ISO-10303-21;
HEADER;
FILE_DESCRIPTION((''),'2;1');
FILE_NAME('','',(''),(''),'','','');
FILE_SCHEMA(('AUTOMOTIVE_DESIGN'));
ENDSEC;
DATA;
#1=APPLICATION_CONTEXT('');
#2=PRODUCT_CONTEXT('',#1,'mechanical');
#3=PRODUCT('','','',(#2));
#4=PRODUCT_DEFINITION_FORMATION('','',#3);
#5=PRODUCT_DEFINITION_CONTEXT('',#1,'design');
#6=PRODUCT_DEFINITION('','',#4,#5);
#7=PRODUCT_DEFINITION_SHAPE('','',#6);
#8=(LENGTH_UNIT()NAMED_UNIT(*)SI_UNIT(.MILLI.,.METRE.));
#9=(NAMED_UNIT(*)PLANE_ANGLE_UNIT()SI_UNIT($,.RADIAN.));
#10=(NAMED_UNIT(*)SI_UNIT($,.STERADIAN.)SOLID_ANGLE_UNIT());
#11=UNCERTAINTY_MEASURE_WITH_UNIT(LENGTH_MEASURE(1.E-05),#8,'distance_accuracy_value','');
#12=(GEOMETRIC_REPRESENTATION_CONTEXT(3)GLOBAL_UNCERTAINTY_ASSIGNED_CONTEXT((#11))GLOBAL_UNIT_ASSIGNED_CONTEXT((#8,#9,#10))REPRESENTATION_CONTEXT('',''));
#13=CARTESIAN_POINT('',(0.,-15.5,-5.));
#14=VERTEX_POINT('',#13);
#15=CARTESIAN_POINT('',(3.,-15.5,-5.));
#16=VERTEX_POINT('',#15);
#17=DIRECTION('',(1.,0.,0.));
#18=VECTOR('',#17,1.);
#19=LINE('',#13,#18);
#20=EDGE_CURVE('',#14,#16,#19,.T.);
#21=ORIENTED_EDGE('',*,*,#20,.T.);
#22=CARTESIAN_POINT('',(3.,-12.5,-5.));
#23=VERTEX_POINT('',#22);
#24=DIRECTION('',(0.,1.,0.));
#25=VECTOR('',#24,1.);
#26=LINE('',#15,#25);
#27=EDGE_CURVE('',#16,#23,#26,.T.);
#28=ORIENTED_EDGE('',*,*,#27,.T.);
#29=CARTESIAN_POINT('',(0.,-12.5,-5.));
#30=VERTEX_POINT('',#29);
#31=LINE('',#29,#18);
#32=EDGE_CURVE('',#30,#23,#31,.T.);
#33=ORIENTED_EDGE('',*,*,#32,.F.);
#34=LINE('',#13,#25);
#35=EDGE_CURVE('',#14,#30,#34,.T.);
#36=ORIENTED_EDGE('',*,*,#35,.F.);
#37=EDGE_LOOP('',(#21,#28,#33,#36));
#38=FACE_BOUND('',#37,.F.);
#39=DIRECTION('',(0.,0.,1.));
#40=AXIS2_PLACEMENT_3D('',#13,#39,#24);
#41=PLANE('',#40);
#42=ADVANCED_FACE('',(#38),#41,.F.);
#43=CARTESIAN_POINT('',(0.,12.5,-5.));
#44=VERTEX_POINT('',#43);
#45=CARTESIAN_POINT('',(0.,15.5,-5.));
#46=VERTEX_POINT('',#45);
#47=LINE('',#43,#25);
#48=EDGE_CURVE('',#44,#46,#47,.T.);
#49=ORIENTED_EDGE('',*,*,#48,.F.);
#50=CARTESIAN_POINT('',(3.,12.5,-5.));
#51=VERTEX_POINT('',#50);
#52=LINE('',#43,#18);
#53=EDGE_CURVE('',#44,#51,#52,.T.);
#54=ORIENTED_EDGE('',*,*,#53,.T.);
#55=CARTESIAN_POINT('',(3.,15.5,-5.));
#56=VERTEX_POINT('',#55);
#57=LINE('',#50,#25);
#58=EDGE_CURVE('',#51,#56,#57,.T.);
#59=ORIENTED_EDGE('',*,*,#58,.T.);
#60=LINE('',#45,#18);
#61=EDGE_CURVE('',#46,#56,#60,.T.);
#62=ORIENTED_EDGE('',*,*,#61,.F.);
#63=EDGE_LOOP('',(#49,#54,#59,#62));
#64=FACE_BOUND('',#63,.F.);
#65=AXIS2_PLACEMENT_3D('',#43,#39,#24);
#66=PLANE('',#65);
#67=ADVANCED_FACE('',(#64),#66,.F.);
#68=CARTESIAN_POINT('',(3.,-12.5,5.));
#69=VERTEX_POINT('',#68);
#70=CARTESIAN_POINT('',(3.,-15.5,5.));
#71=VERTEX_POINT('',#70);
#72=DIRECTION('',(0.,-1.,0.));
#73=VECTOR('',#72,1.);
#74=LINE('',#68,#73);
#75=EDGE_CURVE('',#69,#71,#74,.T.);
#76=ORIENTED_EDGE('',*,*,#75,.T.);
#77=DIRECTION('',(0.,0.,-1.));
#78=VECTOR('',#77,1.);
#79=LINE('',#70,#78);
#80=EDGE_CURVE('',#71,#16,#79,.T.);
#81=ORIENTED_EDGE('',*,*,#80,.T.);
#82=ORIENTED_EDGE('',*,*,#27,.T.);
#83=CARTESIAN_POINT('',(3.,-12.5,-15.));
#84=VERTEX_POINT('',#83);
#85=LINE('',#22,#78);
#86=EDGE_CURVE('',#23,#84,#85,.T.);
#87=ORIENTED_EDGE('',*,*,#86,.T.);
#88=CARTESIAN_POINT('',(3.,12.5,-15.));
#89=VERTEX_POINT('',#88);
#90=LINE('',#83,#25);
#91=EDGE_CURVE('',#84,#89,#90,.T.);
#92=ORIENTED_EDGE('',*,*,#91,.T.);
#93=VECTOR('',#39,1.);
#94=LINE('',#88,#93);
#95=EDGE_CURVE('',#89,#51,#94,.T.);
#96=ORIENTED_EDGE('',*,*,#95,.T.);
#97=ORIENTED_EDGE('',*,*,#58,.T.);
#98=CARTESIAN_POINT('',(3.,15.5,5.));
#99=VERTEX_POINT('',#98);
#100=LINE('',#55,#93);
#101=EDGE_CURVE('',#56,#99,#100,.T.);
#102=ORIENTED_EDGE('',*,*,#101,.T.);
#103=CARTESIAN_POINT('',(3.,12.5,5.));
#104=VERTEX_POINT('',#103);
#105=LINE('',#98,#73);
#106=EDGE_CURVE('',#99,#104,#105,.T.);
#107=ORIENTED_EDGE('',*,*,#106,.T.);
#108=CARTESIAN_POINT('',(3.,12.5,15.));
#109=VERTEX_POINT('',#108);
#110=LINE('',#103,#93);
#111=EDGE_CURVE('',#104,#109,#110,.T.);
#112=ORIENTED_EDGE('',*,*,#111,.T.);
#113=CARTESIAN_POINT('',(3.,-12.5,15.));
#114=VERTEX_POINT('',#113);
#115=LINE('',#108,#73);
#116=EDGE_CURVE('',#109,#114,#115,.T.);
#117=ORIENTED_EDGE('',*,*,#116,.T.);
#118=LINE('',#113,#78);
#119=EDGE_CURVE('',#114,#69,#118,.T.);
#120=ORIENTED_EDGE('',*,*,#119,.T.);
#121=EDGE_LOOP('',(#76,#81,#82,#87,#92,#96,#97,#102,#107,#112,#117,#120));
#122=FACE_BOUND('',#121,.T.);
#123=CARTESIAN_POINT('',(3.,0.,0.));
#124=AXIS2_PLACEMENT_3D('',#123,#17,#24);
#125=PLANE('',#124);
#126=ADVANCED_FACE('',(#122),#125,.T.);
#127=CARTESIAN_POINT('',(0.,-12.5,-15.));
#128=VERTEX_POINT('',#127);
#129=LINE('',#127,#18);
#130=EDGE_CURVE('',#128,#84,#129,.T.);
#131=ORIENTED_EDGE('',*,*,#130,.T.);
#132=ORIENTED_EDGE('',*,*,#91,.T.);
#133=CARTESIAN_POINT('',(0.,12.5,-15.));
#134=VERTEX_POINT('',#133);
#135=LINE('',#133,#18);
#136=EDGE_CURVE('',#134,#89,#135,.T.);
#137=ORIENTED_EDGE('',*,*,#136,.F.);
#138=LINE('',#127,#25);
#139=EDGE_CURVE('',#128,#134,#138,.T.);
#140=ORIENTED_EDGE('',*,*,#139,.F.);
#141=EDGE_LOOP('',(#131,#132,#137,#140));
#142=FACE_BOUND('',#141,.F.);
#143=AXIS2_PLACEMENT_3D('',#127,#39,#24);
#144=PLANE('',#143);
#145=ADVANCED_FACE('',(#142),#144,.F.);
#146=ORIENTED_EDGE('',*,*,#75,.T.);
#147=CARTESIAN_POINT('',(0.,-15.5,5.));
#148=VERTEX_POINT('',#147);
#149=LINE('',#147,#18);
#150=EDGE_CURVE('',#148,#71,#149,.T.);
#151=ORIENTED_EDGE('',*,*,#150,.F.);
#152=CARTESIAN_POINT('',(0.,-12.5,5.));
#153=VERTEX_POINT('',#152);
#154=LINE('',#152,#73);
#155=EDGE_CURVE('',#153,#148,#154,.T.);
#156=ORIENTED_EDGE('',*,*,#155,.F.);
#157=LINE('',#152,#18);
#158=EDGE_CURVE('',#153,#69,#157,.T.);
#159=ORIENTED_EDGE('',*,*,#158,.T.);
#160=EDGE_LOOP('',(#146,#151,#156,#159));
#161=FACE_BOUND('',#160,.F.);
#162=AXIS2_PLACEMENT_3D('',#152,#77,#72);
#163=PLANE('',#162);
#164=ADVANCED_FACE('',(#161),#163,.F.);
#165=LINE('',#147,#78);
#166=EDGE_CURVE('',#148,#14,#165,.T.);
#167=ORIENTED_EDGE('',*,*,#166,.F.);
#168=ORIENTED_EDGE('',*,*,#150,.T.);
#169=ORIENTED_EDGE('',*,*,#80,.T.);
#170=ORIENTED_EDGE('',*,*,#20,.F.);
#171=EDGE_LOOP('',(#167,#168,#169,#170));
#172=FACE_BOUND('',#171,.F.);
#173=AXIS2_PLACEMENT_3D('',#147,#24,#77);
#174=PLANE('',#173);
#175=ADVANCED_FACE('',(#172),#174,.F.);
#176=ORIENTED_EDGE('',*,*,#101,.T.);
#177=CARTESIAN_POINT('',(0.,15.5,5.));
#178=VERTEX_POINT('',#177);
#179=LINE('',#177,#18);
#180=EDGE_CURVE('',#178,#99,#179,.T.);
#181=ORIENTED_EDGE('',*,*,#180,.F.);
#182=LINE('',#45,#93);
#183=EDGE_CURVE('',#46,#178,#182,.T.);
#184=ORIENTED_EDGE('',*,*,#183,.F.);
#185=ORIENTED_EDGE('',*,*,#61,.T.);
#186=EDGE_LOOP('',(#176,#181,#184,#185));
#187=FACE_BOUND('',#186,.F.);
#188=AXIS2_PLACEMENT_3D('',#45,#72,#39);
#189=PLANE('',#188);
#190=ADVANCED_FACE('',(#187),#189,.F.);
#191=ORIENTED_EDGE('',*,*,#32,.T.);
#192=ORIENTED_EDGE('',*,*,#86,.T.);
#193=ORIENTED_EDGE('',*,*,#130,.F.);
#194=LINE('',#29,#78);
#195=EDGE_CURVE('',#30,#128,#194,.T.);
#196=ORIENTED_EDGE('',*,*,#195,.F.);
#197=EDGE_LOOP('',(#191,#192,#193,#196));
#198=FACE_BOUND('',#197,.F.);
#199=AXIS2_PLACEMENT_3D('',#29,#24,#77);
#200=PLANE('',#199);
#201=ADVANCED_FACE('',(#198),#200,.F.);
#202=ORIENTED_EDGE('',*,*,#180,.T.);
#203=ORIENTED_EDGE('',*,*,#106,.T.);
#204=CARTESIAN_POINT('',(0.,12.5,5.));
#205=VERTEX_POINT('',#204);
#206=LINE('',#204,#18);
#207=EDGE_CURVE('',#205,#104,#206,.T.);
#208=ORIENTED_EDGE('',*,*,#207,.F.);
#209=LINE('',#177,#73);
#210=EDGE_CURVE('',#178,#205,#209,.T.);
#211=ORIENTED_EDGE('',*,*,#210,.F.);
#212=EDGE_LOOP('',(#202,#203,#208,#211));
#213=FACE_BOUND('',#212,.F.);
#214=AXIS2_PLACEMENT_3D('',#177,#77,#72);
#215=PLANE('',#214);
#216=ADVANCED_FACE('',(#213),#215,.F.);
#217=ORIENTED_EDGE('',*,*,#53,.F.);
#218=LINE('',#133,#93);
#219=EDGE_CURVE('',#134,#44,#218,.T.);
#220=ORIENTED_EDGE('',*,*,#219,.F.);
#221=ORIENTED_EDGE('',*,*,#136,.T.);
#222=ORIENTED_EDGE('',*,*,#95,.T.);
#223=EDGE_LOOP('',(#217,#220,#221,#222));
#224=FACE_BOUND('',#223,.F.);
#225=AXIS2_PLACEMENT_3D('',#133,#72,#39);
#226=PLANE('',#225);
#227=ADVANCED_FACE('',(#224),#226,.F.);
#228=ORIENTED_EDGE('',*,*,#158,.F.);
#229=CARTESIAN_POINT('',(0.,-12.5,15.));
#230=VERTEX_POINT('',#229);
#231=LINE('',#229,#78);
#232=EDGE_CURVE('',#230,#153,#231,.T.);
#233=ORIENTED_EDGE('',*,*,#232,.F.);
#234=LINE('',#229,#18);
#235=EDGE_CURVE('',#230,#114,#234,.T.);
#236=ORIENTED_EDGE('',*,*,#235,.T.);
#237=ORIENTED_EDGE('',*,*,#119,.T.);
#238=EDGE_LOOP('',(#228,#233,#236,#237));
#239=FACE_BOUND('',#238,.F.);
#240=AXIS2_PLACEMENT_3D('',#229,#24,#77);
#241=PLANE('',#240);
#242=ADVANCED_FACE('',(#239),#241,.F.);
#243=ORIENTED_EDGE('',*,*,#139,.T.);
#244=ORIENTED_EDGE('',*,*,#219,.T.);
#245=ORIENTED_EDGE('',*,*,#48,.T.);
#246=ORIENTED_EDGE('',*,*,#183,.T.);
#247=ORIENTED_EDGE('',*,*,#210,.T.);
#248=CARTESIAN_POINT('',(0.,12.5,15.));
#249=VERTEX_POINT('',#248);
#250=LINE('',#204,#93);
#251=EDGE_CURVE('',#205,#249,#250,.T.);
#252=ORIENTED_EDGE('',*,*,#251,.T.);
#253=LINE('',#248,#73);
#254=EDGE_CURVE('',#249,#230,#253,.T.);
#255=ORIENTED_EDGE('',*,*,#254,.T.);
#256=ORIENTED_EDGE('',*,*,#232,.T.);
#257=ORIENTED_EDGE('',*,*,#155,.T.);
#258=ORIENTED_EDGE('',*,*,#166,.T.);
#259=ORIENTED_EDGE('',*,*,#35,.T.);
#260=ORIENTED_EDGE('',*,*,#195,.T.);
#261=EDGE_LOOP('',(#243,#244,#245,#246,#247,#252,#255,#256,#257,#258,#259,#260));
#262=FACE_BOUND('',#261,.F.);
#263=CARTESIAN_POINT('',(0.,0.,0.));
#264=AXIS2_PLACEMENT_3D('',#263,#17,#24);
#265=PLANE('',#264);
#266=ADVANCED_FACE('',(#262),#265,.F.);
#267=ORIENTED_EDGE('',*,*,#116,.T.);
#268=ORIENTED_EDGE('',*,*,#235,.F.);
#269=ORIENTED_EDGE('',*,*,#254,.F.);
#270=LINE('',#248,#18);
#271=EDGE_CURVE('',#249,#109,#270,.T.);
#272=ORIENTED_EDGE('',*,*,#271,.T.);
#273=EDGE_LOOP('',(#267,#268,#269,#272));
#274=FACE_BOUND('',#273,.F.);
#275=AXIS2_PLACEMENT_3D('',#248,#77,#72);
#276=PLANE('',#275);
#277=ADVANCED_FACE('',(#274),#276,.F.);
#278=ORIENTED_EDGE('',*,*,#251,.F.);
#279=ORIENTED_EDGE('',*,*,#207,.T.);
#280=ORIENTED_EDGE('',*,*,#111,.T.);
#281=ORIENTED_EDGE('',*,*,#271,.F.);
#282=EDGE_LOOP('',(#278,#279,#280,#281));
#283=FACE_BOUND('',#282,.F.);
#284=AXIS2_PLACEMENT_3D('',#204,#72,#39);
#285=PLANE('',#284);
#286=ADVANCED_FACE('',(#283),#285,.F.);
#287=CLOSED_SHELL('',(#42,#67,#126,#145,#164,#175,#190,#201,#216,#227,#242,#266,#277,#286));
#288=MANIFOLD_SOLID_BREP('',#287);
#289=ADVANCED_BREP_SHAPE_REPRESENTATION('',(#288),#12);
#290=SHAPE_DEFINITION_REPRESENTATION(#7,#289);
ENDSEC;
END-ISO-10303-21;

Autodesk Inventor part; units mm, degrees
ref_plane "YZ Plane" through (0, 0, 0) normal (1, 0, 0) x (0, 1, 0)
ref_plane "XZ Plane" through (0, 0, 0) normal (0, 1, 0) x (-1, 0, 0)
ref_plane "XY Plane" through (0, 0, 0) normal (0, 0, 1) x (1, 0, 0)
sketch "Boceto1" plane through (0, 0, 0) normal (1, 0, 0) x (0, 1, 0)
  line L0 (-12.5, 15) -> (-12.5, 5)
  line L1 (-12.5, 5) -> (-15.5, 5)
  line L2 (-15.5, 5) -> (-15.5, -5)
  line L3 (-15.5, -5) -> (-12.5, -5)
  line L4 (-12.5, -5) -> (-12.5, -15)
  line L5 (-12.5, -15) -> (12.5, -15)
  line L6 (12.5, -15) -> (12.5, -5)
  line L7 (12.5, -5) -> (15.5, -5)
  line L8 (15.5, -5) -> (15.5, 5)
  line L9 (15.5, 5) -> (12.5, 5)
  line L10 (12.5, 5) -> (12.5, 15)
  line L11 (12.5, 15) -> (-12.5, 15)
  point P0 (0, 0)
extrude "Extrusión1" add sketch "Boceto1" along normal blind 3
properties part number "Battery_Wall1" material "MDF Tablero de fibras de densidad media"
